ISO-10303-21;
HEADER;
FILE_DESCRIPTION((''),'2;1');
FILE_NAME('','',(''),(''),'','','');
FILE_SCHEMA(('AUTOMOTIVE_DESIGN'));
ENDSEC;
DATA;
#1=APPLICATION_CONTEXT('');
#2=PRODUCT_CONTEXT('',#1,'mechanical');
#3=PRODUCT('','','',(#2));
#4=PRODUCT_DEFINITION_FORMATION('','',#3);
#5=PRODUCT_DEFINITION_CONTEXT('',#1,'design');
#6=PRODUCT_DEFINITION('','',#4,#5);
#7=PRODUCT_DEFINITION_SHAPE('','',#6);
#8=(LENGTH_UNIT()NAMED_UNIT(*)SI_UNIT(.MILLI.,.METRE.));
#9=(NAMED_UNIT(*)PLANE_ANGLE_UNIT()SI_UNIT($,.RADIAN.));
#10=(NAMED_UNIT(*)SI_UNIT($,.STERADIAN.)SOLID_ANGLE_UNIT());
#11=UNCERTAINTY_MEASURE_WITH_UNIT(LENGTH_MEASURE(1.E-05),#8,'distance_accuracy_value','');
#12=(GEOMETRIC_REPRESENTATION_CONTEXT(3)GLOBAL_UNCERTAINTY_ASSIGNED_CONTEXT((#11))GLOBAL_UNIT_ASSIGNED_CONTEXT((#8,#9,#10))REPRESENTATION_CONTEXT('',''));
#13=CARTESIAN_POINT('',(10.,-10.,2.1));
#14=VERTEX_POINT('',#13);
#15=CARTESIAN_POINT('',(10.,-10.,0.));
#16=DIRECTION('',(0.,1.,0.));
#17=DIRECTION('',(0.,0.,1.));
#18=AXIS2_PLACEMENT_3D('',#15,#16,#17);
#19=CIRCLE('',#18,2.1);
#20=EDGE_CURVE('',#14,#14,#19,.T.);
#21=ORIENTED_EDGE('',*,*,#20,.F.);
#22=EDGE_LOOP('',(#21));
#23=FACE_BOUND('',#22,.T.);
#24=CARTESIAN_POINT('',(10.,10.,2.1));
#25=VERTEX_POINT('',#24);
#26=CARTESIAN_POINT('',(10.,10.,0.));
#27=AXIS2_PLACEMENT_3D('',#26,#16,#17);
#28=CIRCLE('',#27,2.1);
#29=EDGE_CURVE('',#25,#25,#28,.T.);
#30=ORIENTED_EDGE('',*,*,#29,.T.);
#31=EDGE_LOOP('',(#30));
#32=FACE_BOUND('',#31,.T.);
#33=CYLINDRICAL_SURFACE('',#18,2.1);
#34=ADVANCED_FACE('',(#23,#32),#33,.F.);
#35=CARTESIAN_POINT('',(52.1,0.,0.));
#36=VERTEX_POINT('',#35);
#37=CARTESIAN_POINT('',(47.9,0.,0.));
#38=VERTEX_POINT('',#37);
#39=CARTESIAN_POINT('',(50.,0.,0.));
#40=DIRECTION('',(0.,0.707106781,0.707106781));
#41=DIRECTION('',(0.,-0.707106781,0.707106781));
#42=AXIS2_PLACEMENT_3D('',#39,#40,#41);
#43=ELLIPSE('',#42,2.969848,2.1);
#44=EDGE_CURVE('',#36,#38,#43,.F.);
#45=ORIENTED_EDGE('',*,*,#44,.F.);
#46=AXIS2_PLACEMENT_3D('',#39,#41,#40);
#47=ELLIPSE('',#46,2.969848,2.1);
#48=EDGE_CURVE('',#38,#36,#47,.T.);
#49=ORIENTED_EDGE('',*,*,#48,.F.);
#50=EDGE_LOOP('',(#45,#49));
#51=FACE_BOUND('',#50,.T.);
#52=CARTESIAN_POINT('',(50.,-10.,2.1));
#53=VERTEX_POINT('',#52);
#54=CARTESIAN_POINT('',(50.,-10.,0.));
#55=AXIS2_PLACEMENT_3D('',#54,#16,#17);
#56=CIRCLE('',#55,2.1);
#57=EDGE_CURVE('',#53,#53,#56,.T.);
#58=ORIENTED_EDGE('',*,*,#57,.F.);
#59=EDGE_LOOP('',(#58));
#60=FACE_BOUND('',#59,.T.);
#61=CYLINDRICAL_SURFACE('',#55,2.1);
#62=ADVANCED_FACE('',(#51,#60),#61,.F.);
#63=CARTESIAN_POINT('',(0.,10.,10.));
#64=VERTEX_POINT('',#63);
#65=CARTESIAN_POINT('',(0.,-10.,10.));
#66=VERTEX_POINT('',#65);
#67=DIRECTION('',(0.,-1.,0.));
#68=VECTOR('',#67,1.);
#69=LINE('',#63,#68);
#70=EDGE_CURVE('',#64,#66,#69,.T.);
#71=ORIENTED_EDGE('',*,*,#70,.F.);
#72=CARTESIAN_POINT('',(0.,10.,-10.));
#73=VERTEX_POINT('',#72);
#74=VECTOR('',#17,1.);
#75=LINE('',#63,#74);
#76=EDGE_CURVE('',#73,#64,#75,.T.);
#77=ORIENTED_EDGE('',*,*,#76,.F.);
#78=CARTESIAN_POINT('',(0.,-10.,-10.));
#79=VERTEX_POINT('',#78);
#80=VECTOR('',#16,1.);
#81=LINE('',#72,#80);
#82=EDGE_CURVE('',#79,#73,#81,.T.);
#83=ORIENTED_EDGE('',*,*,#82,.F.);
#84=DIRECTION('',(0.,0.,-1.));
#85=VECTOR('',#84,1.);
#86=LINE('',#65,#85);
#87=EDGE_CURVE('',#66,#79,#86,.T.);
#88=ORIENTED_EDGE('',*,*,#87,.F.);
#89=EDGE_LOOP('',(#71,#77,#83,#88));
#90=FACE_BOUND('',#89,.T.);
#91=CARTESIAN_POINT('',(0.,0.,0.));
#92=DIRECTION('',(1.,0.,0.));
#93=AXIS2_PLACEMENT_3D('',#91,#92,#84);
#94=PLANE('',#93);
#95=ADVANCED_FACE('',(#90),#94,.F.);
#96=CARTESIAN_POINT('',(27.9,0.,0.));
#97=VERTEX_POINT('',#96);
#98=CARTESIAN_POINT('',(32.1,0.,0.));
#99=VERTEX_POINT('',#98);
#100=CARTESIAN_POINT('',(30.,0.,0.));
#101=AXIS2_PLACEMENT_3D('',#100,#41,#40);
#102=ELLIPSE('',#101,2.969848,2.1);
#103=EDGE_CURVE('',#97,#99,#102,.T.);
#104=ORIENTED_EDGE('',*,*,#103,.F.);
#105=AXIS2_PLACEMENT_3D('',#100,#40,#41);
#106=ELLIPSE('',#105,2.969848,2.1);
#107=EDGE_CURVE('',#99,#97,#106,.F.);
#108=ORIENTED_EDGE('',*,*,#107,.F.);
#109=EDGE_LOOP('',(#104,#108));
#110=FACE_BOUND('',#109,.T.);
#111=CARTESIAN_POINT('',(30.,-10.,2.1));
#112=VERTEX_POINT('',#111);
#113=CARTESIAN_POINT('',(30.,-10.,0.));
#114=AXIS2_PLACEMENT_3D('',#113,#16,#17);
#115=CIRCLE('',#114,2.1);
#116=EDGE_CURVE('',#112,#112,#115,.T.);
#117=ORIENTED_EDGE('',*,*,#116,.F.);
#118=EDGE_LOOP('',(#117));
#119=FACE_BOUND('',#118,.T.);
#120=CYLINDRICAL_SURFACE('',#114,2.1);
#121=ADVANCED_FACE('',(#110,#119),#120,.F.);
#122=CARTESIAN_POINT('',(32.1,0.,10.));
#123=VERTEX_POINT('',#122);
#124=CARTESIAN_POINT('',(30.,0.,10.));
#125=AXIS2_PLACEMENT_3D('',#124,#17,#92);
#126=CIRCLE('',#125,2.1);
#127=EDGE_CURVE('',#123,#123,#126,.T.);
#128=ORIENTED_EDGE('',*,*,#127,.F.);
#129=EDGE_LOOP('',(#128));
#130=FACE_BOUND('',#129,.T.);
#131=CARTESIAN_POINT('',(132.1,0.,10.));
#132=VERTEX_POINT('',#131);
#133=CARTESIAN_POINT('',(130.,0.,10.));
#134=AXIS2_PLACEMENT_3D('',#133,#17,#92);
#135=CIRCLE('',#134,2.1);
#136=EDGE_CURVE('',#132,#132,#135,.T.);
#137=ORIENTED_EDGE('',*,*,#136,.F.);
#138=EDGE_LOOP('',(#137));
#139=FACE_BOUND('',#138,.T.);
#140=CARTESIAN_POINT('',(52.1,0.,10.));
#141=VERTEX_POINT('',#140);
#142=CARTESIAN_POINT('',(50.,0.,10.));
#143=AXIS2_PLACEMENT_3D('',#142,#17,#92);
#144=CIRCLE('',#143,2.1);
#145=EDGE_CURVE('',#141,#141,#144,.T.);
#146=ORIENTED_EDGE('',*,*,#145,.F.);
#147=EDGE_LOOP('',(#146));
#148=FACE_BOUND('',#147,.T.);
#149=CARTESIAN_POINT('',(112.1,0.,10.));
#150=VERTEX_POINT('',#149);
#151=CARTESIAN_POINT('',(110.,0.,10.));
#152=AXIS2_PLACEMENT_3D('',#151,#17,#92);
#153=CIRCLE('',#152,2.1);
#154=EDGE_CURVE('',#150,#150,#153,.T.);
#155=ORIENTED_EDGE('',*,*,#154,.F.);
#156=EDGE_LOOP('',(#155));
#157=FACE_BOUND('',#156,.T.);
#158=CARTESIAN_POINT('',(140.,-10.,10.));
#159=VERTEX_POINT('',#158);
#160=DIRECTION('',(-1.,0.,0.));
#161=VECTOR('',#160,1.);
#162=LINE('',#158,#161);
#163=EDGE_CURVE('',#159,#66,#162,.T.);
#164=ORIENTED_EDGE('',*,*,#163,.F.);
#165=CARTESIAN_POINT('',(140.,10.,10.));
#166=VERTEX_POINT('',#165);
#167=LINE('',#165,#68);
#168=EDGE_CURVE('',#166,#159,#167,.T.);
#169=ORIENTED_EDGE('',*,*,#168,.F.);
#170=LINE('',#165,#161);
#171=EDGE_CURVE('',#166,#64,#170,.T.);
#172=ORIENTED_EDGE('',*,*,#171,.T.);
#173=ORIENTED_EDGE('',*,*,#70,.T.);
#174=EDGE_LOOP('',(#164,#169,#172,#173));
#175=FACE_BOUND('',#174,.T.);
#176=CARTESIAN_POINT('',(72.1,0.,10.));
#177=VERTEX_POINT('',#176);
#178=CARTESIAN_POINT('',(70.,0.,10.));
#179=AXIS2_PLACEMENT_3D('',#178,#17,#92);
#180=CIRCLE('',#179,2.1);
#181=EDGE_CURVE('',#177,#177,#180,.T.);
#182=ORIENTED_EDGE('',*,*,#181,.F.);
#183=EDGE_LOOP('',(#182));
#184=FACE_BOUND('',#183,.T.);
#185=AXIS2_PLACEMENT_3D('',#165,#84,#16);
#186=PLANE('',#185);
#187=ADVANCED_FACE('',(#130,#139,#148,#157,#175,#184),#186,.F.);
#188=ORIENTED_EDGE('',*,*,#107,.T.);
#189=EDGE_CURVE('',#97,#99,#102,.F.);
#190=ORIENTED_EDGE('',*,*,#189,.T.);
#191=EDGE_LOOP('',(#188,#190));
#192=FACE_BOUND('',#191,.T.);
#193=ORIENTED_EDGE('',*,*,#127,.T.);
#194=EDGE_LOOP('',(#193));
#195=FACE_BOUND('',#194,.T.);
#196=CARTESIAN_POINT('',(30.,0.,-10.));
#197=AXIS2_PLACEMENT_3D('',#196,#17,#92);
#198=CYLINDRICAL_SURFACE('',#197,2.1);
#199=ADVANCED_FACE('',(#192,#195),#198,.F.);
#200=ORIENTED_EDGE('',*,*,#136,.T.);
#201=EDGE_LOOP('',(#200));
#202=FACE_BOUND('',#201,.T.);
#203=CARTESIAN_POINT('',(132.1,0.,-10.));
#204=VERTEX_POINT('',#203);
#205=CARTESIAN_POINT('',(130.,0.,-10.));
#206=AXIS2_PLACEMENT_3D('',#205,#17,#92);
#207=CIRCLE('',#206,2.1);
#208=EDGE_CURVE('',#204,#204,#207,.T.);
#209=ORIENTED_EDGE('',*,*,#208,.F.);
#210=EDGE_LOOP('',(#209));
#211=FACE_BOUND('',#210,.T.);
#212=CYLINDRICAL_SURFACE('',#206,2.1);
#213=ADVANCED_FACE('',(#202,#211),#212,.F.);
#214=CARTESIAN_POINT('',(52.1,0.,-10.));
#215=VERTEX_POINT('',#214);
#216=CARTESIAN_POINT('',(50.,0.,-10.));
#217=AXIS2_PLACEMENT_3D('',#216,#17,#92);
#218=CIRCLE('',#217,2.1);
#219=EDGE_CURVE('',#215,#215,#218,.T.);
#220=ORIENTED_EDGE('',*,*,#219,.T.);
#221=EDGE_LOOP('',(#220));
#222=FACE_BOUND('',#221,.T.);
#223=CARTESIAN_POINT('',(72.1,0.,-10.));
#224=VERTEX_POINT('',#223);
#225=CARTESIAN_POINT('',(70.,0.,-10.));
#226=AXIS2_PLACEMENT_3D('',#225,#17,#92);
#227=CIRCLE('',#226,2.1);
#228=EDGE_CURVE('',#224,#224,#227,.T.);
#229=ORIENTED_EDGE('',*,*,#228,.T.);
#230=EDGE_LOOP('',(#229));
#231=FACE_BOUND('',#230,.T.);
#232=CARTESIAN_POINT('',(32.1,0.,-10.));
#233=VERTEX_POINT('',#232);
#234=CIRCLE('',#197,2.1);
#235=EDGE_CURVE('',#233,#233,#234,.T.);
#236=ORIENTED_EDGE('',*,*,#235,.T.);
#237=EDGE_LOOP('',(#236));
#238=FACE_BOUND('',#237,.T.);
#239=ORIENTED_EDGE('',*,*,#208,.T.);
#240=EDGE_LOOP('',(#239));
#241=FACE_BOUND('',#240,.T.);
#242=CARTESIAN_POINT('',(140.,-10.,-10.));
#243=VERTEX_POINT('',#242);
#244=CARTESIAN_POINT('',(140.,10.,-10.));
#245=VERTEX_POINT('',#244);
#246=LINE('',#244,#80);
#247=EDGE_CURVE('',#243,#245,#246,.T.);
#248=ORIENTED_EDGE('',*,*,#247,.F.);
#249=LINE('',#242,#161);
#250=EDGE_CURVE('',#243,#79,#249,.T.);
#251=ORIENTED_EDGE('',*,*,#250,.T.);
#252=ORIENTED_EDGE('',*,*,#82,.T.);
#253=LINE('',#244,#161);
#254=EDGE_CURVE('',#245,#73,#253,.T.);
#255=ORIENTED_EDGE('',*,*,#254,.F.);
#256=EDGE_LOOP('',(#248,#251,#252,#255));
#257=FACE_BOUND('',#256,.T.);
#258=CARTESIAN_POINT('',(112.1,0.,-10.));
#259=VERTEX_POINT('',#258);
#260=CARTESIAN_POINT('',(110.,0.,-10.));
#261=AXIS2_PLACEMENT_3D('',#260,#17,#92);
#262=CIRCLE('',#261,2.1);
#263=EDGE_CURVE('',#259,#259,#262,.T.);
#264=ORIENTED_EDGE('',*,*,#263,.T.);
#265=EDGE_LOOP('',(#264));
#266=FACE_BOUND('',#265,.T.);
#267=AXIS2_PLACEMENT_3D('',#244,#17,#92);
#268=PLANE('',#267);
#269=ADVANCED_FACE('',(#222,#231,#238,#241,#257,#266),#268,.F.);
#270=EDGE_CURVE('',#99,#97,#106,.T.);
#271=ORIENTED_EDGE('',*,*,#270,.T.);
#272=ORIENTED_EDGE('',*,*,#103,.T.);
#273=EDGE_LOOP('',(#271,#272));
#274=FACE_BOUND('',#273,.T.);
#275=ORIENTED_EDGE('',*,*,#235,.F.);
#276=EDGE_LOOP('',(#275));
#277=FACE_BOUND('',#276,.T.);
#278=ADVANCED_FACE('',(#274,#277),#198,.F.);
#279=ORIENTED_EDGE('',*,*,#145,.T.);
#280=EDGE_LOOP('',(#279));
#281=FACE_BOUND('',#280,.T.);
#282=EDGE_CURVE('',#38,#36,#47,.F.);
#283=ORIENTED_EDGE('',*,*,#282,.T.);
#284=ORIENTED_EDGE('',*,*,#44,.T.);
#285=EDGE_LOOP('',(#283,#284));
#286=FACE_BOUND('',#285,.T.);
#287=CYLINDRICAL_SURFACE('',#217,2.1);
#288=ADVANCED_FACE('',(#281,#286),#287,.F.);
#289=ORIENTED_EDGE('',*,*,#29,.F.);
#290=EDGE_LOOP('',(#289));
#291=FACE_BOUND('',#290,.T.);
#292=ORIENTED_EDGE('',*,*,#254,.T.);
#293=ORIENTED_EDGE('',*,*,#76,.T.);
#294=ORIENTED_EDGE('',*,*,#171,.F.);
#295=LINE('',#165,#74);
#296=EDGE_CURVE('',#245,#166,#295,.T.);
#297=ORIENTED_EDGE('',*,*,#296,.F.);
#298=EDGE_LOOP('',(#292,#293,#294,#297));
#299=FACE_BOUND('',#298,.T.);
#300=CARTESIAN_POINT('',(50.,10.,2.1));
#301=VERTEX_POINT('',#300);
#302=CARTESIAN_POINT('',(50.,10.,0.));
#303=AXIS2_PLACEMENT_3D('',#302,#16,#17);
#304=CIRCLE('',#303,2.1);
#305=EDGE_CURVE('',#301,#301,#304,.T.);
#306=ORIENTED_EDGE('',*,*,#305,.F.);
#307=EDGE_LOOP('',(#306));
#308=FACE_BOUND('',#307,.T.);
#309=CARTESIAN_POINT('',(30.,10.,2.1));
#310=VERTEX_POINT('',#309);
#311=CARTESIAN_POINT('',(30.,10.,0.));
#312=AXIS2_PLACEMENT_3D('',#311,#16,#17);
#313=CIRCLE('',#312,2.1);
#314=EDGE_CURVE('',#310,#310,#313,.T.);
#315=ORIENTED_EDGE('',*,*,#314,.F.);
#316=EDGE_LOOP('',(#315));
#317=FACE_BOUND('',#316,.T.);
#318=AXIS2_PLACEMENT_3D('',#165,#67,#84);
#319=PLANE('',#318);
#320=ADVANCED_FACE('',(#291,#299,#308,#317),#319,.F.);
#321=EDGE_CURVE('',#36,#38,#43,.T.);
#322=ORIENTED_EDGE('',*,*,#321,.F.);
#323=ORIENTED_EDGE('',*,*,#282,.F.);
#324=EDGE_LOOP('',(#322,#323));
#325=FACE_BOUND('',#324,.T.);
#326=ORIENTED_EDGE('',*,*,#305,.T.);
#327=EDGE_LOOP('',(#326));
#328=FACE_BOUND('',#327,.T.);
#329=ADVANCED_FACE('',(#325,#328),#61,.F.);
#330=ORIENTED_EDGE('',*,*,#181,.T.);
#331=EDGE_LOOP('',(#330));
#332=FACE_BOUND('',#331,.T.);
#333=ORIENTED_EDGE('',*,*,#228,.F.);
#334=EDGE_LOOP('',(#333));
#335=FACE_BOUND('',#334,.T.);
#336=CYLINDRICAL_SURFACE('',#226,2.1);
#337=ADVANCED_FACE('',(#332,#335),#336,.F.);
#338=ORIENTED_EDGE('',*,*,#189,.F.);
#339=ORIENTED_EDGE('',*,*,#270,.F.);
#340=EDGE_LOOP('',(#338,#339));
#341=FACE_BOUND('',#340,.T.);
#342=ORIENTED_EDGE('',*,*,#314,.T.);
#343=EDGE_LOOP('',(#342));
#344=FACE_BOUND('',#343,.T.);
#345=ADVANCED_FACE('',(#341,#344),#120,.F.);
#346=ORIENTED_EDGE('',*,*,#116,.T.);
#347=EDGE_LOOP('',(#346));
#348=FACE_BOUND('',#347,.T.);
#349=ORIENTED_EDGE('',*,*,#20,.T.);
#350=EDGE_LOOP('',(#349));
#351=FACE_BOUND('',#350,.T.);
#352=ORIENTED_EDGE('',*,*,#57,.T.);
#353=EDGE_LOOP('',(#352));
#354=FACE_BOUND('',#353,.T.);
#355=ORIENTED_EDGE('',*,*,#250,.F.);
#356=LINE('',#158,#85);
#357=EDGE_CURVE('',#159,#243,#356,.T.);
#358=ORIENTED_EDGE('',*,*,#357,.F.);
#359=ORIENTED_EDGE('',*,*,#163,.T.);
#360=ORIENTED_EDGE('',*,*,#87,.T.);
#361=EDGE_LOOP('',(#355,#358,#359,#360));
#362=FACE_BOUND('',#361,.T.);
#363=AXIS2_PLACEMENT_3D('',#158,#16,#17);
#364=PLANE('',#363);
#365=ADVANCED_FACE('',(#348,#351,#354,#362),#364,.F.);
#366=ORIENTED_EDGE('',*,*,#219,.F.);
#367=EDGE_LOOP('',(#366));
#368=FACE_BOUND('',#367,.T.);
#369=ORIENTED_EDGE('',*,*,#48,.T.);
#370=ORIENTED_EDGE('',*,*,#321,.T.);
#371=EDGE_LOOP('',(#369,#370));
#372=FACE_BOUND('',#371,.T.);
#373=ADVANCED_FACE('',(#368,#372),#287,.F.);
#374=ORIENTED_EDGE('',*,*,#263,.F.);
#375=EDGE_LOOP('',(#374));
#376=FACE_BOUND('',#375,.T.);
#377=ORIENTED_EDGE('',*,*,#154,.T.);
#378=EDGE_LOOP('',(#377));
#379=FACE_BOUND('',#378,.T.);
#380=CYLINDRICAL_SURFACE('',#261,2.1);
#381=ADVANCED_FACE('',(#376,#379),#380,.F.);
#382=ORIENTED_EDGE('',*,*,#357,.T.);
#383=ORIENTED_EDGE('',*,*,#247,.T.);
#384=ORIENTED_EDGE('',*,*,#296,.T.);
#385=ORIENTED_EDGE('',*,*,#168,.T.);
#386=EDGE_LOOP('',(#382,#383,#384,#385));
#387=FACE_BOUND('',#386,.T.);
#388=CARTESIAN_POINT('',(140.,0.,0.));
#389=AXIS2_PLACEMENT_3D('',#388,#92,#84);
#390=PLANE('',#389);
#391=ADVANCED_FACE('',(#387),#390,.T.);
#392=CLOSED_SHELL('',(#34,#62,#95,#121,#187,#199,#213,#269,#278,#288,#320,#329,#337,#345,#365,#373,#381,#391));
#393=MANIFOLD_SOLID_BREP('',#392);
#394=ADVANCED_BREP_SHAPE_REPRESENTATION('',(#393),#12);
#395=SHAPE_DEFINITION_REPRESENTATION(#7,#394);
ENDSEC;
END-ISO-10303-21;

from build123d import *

# Parameters (mm, degrees)
SKETCH_1_W          = 20
SKETCH_1_H          = 20
EXTRUDE_1_DEPTH     = 140
SKETCH_3_R          = 2.1
CUT_EXTRUDE_1_DEPTH = 142.774468788
SKETCH_2_R          = 2.1
CUT_EXTRUDE_2_DEPTH = 142.774468788


with BuildPart() as part:
    # 草图1 → 凸台-拉伸1 (new body)
    with BuildSketch(Plane(origin=(0, 0, 0), x_dir=(0, 0, -1), z_dir=(1, 0, 0))):
        Rectangle(SKETCH_1_W, SKETCH_1_H)
    extrude(amount=EXTRUDE_1_DEPTH)

    # 草图3 → 切除-拉伸1 (cut, through all)
    with BuildSketch(Plane.XY.offset(10)):
        with Locations((30, 0)):
            Circle(SKETCH_3_R)
        with Locations((50, 0)):
            Circle(SKETCH_3_R)
        with Locations((70, 0)):
            Circle(SKETCH_3_R)
        with Locations((130, 0)):
            Circle(SKETCH_3_R)
        with Locations((110, 0)):
            Circle(SKETCH_3_R)
    extrude(amount=-CUT_EXTRUDE_1_DEPTH, mode=Mode.SUBTRACT)

    # 草图2 → 切除-拉伸2 (cut, through all)
    with BuildSketch(Plane(origin=(0, 10, 0), x_dir=(1, 0, 0), z_dir=(0, 1, 0))):
        with Locations(Location((10, 0, 0), (0, 0, 270))):
            Circle(SKETCH_2_R)
        with Locations(Location((30, 0, 0), (0, 0, 270))):
            Circle(SKETCH_2_R)
        with Locations(Location((50, 0, 0), (0, 0, 270))):
            Circle(SKETCH_2_R)
    extrude(amount=-CUT_EXTRUDE_2_DEPTH, mode=Mode.SUBTRACT)


solid = part.part
